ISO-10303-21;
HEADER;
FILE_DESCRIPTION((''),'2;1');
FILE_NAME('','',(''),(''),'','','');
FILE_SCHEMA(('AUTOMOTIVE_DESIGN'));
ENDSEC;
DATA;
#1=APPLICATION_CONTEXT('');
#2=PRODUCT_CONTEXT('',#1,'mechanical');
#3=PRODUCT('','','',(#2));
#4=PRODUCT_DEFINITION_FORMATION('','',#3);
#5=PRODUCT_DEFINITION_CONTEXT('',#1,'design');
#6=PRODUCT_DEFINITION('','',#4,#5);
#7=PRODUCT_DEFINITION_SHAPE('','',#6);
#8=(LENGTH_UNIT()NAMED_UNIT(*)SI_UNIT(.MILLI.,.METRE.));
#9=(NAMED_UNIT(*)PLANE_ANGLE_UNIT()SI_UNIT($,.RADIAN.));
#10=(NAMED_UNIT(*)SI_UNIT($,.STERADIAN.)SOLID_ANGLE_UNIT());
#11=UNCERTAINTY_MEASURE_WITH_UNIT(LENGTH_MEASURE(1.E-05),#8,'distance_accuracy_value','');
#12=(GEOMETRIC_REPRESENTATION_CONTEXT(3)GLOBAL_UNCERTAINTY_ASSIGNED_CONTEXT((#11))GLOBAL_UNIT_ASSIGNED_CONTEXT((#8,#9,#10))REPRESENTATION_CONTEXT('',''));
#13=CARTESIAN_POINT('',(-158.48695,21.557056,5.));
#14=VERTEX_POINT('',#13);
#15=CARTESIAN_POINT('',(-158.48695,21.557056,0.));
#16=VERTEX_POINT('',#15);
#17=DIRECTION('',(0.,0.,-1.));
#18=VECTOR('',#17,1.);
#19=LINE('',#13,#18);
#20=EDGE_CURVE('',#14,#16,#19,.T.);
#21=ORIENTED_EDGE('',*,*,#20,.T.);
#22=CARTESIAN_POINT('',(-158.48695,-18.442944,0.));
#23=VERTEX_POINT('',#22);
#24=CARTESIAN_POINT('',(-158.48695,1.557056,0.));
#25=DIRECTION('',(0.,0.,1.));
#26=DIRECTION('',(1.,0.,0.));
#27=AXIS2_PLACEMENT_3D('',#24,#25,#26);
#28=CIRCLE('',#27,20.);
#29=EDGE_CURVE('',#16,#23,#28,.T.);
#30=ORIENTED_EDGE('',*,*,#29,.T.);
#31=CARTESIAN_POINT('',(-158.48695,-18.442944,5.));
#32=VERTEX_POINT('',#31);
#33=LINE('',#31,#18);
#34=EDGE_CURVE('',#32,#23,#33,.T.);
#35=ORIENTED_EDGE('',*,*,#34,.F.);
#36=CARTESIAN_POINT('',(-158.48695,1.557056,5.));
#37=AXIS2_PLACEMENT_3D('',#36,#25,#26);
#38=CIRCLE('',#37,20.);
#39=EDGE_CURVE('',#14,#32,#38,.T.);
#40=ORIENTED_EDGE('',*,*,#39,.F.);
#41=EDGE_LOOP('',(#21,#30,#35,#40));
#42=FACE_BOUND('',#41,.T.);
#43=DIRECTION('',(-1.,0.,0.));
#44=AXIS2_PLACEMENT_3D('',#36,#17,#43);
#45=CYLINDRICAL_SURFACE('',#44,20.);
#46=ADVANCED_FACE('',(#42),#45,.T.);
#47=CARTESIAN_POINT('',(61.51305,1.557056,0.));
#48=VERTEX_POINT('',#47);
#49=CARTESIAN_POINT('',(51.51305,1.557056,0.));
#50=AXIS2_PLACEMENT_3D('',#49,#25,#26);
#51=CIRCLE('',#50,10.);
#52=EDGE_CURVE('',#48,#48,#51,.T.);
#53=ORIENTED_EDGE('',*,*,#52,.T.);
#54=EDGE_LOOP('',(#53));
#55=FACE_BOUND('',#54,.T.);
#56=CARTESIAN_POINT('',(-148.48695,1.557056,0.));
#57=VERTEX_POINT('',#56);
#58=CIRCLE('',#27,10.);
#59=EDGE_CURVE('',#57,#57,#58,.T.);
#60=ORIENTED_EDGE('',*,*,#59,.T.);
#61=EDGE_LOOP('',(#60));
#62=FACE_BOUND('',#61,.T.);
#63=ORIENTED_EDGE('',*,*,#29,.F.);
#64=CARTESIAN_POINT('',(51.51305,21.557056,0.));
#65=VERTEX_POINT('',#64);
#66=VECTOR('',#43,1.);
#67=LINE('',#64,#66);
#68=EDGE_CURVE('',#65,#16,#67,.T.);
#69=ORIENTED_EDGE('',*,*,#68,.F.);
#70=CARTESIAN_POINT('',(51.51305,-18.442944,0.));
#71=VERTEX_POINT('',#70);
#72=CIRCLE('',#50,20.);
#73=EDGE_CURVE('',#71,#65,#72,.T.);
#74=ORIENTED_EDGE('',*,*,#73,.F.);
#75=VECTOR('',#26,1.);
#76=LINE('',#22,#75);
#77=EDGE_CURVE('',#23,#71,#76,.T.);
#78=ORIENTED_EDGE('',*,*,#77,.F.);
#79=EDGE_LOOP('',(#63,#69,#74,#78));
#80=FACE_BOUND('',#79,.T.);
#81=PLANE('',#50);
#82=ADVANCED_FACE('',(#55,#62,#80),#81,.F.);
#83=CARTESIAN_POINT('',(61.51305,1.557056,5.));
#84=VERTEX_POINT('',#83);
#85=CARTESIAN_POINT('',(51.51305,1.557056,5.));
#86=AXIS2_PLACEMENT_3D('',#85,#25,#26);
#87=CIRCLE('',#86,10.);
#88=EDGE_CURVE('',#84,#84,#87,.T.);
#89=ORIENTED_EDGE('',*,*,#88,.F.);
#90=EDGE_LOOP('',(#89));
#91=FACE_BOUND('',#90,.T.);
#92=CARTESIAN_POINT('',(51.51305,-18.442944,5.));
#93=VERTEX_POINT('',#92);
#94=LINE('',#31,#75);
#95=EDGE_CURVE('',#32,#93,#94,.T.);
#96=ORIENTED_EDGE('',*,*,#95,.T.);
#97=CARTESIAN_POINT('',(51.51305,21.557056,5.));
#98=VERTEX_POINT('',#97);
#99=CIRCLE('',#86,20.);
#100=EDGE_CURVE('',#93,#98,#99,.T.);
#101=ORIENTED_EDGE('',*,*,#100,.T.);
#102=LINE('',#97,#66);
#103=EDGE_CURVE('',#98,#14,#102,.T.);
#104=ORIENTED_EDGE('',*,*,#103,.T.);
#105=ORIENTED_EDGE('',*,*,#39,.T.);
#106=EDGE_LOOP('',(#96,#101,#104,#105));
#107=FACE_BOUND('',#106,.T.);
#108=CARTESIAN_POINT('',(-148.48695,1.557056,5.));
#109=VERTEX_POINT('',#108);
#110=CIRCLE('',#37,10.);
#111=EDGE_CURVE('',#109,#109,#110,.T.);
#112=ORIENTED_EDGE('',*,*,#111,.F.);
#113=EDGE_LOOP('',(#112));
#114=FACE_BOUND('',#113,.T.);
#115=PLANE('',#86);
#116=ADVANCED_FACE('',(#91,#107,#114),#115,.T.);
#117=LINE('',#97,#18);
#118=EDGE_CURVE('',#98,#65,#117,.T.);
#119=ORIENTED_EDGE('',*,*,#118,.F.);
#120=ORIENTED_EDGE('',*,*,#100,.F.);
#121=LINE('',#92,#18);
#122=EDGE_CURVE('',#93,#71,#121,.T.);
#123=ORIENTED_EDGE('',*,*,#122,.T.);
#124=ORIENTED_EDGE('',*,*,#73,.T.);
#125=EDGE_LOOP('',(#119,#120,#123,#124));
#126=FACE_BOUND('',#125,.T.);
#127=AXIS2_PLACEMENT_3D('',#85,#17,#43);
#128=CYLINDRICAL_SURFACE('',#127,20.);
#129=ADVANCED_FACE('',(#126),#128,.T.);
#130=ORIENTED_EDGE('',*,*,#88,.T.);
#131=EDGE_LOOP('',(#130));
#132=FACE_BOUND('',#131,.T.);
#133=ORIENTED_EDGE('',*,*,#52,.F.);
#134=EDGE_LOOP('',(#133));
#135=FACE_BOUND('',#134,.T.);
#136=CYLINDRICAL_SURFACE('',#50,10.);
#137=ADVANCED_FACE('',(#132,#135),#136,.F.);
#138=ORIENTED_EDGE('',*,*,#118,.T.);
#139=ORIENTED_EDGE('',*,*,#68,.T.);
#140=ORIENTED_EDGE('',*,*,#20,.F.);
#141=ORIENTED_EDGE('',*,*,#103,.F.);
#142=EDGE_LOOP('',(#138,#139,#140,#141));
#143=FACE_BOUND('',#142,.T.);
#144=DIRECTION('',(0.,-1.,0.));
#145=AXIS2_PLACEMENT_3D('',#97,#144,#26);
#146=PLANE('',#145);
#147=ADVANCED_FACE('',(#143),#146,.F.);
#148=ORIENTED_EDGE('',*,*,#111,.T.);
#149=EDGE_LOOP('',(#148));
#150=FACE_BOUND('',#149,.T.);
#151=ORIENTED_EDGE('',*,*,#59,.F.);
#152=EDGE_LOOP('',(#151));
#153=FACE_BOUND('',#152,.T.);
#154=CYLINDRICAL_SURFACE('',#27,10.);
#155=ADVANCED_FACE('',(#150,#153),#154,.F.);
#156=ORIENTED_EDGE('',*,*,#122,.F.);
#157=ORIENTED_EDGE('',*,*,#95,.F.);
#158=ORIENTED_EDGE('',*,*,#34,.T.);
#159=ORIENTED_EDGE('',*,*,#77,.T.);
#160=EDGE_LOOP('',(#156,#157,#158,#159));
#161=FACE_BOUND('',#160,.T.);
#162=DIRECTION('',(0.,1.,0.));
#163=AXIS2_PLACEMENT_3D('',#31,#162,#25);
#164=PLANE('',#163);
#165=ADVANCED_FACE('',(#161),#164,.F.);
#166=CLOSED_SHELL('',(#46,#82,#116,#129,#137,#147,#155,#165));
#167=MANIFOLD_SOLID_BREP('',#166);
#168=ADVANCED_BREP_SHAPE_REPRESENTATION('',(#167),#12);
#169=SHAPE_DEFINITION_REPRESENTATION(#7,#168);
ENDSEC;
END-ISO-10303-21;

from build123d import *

# Parameters (mm, degrees)
EXTRUDE1_DEPTH     = 5
SKETCH2_R          = 10
CUT_EXTRUDE1_DEPTH = 6


with BuildPart() as part:
    # Sketch1 → Extrude1 (new body)
    with BuildSketch(Plane.XY):
        with BuildLine():
            Line((51.513050076, 21.557056146), (-158.486949924, 21.557056146))
            ThreePointArc((-158.486949924, 21.557056146), (-178.486949924, 1.557056146), (-158.486949924, -18.442943854))
            Line((-158.486949924, -18.442943854), (51.513050076, -18.442943854))
            ThreePointArc((51.513050076, -18.442943854), (71.513050076, 1.557056146), (51.513050076, 21.557056146))
        make_face()
    extrude(amount=EXTRUDE1_DEPTH)

    # Sketch2 → Cut-Extrude1 (cut, through all)
    with BuildSketch(Plane.XY.offset(5)):
        with Locations((-158.486949924, 1.557056146)):
            Circle(SKETCH2_R)
        with Locations((51.513050076, 1.557056146)):
            Circle(SKETCH2_R)
    extrude(amount=-CUT_EXTRUDE1_DEPTH, mode=Mode.SUBTRACT)


solid = part.part
